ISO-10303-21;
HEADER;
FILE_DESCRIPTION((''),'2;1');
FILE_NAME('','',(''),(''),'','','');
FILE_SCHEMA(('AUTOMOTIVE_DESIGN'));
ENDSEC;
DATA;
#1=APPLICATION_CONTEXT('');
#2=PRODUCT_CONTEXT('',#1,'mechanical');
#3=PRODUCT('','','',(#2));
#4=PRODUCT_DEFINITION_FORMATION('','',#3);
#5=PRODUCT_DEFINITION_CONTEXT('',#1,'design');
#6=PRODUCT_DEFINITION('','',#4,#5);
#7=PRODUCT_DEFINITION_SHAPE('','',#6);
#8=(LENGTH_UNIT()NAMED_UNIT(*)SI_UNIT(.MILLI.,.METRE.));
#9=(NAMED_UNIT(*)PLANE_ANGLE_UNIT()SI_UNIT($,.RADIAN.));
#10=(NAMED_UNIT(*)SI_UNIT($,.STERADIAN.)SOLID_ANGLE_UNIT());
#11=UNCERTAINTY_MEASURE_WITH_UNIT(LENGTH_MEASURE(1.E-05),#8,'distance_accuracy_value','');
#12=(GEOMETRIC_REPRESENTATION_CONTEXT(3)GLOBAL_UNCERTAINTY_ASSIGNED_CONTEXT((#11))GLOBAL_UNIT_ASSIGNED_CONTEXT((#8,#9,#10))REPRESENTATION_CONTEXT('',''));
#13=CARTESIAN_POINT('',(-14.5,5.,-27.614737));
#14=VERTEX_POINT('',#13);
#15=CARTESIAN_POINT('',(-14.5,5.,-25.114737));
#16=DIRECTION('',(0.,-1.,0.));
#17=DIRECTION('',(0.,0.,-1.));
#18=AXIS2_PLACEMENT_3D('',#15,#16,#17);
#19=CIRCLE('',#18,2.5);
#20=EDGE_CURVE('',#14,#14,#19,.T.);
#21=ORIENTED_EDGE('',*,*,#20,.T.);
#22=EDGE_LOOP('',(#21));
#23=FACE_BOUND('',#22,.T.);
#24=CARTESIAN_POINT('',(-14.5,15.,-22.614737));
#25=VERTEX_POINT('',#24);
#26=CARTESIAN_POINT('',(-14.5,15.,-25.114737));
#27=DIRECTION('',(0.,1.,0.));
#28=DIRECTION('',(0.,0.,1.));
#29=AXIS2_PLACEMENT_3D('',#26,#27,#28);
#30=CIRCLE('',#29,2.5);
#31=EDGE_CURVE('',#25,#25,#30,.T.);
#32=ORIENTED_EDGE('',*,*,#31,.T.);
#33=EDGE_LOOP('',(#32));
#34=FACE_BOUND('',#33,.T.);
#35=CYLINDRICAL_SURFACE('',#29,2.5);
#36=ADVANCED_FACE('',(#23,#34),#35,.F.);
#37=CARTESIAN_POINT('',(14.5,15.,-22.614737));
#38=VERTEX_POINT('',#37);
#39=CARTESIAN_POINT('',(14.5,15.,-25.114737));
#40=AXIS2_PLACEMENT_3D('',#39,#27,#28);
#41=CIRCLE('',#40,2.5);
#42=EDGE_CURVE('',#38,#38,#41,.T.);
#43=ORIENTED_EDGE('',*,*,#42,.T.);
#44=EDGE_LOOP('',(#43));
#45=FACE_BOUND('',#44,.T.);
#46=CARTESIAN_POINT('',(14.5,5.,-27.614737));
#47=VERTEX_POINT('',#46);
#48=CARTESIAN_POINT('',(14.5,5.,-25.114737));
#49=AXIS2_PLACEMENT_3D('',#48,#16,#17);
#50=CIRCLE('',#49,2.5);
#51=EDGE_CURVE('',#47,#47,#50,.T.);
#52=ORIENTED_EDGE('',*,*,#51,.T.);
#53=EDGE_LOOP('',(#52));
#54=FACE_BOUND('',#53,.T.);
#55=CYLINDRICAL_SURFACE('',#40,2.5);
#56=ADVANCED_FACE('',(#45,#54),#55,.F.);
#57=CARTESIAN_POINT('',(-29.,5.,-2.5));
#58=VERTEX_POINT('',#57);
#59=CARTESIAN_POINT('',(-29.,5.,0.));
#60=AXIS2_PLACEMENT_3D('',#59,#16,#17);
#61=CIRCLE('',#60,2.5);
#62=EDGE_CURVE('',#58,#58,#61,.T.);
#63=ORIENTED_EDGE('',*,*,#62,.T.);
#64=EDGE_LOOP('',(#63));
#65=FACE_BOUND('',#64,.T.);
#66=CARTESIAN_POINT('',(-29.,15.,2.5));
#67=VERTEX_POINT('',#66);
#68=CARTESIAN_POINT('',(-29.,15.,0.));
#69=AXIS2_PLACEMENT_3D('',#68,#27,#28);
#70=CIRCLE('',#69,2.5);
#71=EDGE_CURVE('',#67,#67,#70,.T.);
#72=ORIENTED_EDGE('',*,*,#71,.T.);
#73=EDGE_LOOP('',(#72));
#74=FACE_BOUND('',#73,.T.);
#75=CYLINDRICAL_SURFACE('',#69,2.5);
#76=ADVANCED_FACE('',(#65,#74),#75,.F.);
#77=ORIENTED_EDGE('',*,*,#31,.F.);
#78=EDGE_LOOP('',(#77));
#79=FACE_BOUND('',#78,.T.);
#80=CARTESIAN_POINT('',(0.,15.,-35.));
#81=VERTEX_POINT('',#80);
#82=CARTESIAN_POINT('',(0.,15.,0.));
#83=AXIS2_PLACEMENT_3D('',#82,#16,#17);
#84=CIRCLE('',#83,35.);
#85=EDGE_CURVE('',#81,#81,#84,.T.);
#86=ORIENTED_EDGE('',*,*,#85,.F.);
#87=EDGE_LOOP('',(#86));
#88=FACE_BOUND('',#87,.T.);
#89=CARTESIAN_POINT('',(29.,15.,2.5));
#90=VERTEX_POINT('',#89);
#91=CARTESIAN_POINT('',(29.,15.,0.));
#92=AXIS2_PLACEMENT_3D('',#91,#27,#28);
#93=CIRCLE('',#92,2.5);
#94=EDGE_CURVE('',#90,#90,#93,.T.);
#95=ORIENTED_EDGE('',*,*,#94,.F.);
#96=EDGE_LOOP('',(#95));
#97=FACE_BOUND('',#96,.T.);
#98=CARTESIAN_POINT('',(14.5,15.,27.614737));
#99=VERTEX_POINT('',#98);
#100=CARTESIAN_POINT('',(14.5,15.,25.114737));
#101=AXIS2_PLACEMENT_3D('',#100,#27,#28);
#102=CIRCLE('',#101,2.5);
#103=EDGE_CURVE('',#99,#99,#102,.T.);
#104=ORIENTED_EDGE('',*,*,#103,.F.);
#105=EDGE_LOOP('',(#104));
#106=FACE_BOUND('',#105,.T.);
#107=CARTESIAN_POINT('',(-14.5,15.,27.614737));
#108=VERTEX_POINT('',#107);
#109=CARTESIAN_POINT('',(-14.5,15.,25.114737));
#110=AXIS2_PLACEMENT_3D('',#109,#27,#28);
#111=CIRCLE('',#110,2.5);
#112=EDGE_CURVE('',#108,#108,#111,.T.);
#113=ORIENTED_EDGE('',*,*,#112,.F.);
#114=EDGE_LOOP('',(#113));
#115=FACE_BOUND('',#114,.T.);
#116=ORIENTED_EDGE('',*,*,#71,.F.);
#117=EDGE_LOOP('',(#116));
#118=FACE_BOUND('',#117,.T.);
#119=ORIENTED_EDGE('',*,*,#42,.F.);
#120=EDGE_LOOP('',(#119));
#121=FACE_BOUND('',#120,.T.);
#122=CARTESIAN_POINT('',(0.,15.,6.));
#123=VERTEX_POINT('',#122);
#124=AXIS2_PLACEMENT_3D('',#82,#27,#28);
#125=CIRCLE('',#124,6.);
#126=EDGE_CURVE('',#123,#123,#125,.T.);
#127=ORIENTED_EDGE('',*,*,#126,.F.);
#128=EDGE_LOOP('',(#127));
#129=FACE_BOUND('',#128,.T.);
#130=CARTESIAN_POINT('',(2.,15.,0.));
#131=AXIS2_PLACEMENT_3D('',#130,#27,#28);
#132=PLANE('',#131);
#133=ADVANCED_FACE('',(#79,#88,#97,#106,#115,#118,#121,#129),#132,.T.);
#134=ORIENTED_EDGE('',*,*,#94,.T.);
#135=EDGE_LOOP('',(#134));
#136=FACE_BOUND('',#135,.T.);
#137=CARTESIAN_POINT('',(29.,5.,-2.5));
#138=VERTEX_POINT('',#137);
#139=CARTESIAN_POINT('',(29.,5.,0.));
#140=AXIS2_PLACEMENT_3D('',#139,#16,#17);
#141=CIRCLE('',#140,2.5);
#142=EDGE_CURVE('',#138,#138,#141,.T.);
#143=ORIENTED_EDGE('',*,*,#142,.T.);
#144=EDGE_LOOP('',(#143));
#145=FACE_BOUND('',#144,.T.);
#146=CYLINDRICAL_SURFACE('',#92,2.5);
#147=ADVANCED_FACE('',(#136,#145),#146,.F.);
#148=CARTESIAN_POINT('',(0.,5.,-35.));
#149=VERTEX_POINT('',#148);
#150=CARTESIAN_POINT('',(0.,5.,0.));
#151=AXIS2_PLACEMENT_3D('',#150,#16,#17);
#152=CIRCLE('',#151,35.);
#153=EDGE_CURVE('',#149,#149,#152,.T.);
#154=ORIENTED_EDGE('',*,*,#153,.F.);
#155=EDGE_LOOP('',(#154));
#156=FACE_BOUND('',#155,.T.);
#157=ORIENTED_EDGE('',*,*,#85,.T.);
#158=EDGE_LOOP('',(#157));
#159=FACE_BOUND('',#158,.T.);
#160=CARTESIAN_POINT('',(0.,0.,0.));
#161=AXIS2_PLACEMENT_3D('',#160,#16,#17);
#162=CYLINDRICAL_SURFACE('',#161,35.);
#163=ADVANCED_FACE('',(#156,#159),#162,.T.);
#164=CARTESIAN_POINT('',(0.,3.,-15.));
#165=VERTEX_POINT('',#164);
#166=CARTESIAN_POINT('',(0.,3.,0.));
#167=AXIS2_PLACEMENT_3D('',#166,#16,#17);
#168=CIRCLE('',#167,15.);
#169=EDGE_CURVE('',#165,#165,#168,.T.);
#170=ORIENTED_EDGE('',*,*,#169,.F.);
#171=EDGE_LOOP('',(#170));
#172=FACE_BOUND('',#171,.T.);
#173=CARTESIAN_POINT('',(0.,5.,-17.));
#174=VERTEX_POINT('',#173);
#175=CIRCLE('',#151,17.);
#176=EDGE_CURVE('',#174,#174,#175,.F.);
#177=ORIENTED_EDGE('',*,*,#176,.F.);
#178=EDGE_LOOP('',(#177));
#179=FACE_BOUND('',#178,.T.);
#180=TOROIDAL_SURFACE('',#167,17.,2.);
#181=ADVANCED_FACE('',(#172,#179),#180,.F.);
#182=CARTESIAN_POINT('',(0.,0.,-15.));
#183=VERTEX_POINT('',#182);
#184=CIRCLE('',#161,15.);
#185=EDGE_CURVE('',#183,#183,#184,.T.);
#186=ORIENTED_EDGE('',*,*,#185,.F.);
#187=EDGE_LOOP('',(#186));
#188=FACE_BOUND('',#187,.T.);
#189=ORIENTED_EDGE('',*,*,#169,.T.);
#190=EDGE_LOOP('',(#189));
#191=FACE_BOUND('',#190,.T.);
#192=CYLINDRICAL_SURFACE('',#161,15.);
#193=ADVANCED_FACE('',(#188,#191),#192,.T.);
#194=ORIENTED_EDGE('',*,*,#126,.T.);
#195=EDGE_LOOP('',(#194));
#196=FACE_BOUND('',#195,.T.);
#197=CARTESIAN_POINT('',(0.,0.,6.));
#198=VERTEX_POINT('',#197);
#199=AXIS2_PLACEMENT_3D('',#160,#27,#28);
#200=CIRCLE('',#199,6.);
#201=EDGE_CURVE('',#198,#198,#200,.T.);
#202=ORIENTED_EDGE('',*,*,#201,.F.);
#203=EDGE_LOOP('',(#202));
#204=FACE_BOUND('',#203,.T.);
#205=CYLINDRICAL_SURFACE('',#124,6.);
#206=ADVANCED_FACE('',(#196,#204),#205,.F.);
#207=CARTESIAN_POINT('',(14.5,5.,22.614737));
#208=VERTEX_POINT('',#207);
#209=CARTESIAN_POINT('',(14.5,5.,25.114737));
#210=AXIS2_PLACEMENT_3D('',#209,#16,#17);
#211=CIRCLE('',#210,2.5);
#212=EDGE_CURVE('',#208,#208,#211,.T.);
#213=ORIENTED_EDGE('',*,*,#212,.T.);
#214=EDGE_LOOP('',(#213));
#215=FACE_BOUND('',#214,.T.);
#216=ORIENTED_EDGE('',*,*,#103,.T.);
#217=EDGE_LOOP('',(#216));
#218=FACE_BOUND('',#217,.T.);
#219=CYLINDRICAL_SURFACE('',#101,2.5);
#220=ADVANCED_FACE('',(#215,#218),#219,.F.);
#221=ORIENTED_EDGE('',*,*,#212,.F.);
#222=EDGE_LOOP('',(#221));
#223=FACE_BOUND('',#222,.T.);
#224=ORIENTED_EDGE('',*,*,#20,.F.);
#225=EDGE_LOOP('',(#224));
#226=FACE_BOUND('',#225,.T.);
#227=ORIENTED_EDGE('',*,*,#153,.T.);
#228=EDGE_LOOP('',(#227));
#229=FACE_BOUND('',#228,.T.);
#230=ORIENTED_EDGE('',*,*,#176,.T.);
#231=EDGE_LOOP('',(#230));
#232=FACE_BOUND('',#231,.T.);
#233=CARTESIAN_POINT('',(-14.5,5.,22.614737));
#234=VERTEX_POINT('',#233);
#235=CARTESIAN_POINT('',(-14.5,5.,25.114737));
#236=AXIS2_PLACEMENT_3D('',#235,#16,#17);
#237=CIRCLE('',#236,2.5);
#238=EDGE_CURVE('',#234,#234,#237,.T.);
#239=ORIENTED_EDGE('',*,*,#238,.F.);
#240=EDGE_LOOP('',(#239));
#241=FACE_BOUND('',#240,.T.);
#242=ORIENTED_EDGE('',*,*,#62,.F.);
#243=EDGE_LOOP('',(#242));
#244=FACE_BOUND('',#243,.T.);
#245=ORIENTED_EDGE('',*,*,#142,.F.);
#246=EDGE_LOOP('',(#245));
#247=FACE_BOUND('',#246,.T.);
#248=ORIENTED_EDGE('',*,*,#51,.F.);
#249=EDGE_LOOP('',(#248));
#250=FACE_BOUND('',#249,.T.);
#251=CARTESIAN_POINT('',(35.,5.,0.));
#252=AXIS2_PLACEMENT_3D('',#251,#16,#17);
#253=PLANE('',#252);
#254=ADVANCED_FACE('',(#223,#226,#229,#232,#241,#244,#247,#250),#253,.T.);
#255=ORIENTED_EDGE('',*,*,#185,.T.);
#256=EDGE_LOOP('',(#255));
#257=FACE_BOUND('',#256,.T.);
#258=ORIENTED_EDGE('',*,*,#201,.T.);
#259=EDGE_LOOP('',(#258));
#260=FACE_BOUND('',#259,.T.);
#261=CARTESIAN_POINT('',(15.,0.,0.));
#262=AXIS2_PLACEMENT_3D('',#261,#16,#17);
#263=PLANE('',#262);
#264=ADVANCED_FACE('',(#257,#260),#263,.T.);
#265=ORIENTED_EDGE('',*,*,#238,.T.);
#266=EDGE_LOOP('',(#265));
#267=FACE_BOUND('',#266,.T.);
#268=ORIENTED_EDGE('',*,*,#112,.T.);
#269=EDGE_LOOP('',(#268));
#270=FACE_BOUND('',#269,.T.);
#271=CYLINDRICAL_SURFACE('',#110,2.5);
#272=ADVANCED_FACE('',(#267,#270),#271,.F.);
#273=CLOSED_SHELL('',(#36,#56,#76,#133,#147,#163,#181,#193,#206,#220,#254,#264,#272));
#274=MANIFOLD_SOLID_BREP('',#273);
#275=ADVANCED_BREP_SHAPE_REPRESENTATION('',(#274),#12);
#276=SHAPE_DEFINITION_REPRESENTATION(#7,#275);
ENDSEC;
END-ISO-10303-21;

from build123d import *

# Parameters (mm, degrees)
REDONDEO1_R            = 2
TALADRO_ROSCADO_M61_D  = 5
TALADRO_ROSCADO_M141_D = 12
MATRIZC1_COUNT         = 6


with BuildPart() as part:
    # Croquis1 → Revolución1 (revolve)
    with BuildSketch(Plane.XY, mode=Mode.PRIVATE) as revoluci_n1_sk:
        Polygon((2, 0), (2, 15), (35, 15), (35, 5), (15, 5), (15, 0), align=None)
    revolve(revoluci_n1_sk.sketch.rotate(Axis((0, 0, 0), (0, 1, 0)), 90), axis=Axis((0, 0, 0), (0, 1, 0)))

    # Redondeo1
    redondeo1_edges = [part.edges().sort_by_distance(p)[0] for p in [
        (0, 5, 15),
    ]]
    fillet(redondeo1_edges, radius=REDONDEO1_R)

    # Taladro roscado M61 (through all)
    with Locations(Plane(origin=(0, 15, 0), x_dir=(1, 0, 0), z_dir=(0, 1, 0))):
        with Locations((29, 0)):
            taladro_roscado_m61 = Hole(TALADRO_ROSCADO_M61_D / 2)

    # Taladro roscado M141 (through all)
    with Locations(Plane(origin=(0, 15, 0), x_dir=(1, 0, 0), z_dir=(0, 1, 0))):
        with Locations((0, 0)):
            Hole(TALADRO_ROSCADO_M141_D / 2)

    # MatrizC1: Taladro roscado M61 ×6 about axis
    matrizc1_axis = Axis((0, 0, 0), (0, 1, 0))
    for i in range(1, MATRIZC1_COUNT):
        add(taladro_roscado_m61.rotate(matrizc1_axis, i * 360 / MATRIZC1_COUNT), mode=Mode.SUBTRACT)


solid = part.part
